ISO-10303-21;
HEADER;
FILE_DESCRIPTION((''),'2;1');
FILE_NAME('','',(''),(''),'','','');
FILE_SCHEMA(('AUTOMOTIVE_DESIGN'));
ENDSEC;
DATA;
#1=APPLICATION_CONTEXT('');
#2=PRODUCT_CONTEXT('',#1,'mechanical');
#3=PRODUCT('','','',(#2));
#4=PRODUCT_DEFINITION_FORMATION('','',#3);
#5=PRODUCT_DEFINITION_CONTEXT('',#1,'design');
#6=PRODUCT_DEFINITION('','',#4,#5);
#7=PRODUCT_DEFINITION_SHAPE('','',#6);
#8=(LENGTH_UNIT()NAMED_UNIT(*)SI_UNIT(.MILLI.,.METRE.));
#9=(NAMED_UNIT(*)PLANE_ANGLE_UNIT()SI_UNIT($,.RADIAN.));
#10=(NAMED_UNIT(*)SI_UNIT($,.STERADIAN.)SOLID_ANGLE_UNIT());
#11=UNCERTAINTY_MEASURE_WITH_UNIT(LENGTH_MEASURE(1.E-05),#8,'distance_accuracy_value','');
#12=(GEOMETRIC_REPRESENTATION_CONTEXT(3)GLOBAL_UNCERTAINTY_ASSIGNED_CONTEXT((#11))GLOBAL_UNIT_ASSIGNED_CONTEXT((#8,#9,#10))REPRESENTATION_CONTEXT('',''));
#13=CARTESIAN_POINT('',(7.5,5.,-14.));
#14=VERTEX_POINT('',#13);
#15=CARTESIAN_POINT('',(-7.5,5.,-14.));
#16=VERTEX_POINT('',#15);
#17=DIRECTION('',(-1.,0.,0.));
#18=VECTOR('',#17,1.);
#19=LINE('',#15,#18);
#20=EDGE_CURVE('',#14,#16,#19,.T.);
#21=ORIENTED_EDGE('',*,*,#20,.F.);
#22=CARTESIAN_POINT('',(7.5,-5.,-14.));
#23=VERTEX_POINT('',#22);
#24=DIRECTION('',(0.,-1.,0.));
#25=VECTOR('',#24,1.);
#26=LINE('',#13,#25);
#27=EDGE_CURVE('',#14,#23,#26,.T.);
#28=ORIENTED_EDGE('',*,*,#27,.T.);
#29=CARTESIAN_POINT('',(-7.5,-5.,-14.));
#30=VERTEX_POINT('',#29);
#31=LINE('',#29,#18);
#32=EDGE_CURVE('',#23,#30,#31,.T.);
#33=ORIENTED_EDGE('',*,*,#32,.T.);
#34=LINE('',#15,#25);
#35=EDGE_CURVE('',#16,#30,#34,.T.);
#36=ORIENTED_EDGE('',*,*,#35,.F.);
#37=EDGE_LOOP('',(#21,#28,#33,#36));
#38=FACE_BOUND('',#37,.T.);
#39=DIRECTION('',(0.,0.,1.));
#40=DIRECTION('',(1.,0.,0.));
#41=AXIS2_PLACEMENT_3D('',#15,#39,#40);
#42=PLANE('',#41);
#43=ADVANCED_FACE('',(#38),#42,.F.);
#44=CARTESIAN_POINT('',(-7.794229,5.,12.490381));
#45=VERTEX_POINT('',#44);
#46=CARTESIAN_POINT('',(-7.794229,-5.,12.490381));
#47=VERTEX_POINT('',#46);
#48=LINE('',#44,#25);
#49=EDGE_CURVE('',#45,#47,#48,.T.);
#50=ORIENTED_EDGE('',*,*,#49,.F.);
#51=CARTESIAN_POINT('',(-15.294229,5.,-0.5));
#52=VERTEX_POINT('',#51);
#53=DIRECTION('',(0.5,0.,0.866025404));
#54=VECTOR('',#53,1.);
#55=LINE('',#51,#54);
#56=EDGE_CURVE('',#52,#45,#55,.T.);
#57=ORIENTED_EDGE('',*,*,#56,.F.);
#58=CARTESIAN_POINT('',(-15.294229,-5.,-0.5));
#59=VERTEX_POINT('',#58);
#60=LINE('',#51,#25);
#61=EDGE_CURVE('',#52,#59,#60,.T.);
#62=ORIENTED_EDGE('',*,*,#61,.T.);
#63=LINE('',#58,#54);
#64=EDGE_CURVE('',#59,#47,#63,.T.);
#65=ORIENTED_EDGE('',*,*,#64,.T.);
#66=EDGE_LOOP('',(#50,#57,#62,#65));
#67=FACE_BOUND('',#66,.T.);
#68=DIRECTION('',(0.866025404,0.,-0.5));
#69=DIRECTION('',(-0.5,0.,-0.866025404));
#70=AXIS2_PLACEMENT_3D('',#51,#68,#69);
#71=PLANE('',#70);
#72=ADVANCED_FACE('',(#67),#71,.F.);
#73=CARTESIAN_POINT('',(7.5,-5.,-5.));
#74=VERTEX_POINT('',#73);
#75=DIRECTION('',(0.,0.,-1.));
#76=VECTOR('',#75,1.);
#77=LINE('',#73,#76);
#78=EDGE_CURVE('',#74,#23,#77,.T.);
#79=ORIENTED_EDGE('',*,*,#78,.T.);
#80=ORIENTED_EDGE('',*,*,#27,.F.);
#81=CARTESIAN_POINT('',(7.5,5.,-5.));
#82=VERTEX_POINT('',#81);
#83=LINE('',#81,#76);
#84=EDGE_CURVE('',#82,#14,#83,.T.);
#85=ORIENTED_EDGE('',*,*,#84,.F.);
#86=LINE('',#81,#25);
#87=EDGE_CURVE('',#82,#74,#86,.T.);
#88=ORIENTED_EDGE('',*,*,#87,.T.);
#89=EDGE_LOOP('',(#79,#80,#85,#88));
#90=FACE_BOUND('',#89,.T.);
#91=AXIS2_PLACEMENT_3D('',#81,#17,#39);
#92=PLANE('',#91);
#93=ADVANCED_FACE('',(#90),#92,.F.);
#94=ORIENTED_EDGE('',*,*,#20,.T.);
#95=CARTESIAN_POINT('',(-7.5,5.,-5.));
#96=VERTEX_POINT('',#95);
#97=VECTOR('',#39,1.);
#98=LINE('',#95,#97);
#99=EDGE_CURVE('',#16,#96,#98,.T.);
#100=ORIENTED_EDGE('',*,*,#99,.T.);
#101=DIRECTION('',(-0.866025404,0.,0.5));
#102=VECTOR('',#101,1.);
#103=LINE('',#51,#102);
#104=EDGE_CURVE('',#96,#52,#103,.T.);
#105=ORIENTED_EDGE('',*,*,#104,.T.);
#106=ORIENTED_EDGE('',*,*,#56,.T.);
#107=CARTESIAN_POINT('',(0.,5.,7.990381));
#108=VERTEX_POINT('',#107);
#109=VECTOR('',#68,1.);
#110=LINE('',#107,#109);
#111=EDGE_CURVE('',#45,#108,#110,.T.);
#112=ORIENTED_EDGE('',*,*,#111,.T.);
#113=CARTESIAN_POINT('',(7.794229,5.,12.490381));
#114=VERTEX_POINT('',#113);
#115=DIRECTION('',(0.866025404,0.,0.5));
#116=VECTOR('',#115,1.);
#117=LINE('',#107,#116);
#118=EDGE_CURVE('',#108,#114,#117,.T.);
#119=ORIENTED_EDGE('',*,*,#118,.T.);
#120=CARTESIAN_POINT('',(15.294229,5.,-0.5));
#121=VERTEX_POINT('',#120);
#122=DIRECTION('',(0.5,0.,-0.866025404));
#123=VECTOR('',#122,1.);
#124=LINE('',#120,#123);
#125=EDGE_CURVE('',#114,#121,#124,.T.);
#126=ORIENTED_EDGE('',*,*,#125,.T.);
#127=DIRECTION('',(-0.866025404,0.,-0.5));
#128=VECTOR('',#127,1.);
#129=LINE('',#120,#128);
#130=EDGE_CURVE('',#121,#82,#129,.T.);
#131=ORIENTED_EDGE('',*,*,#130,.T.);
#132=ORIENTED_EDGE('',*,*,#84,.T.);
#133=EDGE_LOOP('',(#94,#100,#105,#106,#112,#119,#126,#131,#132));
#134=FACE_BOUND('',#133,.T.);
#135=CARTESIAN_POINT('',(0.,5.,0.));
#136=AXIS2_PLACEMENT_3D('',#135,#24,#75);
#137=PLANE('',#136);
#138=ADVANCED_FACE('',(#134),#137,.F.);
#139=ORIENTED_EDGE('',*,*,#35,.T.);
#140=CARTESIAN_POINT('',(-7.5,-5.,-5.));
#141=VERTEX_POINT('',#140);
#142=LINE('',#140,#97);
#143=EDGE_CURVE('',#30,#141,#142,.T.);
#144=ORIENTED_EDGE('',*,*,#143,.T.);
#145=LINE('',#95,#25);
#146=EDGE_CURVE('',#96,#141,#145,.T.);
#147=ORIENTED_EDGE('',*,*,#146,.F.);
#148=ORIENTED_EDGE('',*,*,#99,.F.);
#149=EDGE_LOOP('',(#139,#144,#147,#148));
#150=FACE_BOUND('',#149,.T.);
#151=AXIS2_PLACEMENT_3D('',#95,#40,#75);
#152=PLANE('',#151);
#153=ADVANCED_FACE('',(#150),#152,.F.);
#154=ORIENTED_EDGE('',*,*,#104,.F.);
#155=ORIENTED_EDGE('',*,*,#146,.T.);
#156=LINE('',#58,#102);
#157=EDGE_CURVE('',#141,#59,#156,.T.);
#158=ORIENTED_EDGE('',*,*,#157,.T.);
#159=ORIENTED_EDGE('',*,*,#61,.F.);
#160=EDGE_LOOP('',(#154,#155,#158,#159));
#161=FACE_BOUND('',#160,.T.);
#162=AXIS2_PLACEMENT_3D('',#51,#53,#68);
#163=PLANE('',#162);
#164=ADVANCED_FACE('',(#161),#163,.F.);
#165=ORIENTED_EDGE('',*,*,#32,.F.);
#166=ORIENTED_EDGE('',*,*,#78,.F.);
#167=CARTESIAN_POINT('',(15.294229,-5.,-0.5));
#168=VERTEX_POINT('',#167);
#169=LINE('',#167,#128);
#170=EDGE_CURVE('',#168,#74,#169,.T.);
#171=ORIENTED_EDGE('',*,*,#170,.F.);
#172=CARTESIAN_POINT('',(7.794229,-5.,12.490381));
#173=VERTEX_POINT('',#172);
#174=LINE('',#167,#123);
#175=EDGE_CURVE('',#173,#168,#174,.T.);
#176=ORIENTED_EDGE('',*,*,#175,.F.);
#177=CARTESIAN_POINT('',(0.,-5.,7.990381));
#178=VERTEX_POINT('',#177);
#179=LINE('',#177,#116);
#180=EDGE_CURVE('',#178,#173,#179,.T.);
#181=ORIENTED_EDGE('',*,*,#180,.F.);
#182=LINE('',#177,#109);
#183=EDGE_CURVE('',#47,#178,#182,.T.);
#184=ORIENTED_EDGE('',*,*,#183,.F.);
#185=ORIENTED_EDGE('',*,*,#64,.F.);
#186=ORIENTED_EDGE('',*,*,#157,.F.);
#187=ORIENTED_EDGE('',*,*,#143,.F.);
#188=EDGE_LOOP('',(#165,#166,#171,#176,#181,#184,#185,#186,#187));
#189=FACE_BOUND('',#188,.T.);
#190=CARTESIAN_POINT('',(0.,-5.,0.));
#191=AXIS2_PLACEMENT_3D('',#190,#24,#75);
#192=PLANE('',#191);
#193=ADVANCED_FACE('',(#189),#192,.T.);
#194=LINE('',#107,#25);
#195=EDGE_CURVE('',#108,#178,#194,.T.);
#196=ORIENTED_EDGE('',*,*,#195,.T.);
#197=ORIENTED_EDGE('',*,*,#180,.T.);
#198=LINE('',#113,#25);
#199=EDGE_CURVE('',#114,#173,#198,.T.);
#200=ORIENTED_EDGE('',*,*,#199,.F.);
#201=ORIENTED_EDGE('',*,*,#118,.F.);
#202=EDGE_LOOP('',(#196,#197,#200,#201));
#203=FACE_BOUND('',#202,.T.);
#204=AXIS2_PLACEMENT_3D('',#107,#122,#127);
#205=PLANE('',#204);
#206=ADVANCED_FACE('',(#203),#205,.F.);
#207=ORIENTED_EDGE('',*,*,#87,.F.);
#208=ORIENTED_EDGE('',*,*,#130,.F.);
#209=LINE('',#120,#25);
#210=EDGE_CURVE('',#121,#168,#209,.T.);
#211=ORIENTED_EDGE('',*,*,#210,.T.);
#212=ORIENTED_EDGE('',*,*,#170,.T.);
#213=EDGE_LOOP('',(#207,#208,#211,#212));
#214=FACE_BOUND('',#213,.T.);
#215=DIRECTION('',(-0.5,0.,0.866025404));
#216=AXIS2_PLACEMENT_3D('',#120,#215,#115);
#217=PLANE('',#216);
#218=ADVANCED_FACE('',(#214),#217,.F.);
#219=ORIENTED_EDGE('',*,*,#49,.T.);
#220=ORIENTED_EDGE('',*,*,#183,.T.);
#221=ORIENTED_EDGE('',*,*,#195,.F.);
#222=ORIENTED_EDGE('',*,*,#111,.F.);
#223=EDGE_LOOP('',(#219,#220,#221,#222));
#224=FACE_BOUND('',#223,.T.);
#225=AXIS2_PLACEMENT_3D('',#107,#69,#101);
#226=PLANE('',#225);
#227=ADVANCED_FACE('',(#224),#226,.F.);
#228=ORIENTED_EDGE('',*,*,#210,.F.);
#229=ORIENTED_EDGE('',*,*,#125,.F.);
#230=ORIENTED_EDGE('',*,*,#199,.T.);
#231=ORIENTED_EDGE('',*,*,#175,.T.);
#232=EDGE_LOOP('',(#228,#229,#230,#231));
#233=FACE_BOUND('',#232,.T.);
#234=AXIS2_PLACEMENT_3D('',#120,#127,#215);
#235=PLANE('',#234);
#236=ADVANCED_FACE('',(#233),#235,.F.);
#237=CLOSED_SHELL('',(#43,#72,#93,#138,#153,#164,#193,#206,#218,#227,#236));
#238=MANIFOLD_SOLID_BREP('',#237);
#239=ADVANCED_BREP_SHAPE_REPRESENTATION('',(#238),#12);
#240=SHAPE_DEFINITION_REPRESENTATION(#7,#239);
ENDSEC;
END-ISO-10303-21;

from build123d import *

# Parameters (mm, degrees)
BOSS_EXTRUDE1_DEPTH = 5


with BuildPart() as part:
    # Sketch1 → Boss-Extrude1 (new, symmetric)
    with BuildSketch(Plane(origin=(0, 0, 0), x_dir=(1, 0, 0), z_dir=(0, 1, 0))):
        Polygon((15.294228634, 0.5), (7.5, 5), (7.5, 14), (-7.5, 14), (-7.5, 5), (-15.294228634, 0.5), (-7.794228634, -12.490381057), (0, -7.990381057), (7.794228634, -12.490381057), align=None)
    extrude(amount=BOSS_EXTRUDE1_DEPTH, both=True)


solid = part.part
